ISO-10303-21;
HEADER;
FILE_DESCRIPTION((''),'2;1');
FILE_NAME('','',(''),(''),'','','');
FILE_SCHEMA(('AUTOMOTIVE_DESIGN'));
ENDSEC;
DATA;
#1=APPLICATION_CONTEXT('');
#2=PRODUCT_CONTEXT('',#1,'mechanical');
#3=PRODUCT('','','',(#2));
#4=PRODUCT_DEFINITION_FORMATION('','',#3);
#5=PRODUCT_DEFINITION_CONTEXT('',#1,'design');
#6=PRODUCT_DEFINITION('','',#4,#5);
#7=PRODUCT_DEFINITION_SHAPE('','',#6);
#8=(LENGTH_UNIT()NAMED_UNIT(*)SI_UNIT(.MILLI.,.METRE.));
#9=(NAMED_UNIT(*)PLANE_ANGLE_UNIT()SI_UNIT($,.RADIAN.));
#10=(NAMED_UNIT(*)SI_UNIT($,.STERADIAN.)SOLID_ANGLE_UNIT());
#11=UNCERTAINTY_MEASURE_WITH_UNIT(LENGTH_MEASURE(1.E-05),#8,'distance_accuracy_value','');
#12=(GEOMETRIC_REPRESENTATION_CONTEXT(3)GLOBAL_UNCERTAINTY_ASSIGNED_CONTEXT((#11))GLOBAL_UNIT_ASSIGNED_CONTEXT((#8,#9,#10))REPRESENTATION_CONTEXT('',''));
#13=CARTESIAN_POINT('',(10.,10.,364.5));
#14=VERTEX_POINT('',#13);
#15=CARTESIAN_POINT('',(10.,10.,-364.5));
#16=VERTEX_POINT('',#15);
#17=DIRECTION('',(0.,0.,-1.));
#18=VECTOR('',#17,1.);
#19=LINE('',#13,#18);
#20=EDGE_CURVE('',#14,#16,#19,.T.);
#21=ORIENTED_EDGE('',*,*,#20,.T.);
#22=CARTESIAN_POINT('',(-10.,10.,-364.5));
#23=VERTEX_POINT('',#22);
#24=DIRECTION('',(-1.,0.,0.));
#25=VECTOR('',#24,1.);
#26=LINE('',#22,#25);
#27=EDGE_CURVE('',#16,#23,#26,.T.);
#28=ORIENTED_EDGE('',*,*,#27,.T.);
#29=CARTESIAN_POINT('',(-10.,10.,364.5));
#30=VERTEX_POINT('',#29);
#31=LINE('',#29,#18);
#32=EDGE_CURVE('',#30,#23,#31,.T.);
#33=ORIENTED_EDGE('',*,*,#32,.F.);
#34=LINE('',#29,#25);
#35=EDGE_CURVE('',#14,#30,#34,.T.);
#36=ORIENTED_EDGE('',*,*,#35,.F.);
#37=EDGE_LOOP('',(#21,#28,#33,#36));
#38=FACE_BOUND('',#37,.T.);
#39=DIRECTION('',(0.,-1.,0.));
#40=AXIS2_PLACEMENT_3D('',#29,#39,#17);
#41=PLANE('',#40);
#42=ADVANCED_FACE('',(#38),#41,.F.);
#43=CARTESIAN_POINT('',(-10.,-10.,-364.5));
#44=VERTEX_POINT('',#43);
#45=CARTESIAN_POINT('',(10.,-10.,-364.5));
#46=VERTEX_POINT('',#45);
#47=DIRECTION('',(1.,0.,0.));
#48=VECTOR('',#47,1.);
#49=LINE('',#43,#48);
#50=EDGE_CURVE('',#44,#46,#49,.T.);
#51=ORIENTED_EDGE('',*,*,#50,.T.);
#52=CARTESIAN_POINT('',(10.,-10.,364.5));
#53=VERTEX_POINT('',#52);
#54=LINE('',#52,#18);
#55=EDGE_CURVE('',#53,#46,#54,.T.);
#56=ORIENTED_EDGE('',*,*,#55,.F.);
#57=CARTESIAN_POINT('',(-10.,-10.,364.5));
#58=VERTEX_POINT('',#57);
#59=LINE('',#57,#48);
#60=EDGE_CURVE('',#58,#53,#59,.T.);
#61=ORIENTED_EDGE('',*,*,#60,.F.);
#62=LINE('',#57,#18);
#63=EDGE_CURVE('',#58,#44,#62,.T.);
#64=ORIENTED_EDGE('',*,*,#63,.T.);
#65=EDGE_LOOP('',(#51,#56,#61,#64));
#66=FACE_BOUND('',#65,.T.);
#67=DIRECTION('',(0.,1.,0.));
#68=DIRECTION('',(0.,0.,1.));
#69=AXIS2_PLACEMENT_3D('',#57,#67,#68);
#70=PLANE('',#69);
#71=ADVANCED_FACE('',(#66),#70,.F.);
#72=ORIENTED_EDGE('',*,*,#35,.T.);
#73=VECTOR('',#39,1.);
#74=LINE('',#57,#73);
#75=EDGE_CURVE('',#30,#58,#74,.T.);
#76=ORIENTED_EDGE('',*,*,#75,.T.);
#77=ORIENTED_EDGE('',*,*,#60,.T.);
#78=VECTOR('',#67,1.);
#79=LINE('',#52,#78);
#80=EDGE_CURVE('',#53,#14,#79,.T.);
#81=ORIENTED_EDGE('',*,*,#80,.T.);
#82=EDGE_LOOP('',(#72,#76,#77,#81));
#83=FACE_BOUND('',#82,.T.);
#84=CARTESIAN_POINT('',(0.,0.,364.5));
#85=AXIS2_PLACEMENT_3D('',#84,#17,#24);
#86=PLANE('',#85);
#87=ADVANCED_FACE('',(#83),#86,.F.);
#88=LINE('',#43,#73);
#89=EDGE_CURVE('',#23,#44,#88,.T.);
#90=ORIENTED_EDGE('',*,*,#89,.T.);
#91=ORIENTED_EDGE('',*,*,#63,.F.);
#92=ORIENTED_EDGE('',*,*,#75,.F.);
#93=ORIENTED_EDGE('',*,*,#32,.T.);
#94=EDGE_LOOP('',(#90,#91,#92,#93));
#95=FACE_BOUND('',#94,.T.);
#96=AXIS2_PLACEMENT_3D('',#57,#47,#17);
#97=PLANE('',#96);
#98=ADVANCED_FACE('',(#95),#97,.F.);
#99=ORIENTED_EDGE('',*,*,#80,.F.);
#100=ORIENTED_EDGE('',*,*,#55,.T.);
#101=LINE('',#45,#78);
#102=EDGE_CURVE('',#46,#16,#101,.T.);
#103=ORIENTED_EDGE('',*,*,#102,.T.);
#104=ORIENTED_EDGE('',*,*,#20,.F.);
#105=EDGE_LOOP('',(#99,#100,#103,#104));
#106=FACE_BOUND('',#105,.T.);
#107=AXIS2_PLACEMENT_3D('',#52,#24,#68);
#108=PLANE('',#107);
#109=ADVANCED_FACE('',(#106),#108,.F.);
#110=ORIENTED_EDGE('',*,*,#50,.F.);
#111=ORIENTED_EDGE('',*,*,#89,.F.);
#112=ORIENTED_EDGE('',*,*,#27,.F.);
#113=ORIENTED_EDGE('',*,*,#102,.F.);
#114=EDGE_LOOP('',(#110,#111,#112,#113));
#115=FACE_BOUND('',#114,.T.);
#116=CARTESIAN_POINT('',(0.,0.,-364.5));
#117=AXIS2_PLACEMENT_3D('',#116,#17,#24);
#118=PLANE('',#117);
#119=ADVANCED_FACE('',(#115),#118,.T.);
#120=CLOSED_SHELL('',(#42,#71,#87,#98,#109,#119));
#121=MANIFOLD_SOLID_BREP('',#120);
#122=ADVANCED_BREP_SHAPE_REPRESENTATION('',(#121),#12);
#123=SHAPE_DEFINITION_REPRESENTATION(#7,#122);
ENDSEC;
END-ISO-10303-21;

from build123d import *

# Parameters (mm, degrees)
SKETCH1_W           = 20
SKETCH1_H           = 20
BOSS_EXTRUDE1_DEPTH = 364.5


with BuildPart() as part:
    # Sketch1 → Boss-Extrude1 (new body, symmetric)
    with BuildSketch(Plane.XY):
        Rectangle(SKETCH1_W, SKETCH1_H)
    extrude(amount=BOSS_EXTRUDE1_DEPTH, both=True)


solid = part.part
